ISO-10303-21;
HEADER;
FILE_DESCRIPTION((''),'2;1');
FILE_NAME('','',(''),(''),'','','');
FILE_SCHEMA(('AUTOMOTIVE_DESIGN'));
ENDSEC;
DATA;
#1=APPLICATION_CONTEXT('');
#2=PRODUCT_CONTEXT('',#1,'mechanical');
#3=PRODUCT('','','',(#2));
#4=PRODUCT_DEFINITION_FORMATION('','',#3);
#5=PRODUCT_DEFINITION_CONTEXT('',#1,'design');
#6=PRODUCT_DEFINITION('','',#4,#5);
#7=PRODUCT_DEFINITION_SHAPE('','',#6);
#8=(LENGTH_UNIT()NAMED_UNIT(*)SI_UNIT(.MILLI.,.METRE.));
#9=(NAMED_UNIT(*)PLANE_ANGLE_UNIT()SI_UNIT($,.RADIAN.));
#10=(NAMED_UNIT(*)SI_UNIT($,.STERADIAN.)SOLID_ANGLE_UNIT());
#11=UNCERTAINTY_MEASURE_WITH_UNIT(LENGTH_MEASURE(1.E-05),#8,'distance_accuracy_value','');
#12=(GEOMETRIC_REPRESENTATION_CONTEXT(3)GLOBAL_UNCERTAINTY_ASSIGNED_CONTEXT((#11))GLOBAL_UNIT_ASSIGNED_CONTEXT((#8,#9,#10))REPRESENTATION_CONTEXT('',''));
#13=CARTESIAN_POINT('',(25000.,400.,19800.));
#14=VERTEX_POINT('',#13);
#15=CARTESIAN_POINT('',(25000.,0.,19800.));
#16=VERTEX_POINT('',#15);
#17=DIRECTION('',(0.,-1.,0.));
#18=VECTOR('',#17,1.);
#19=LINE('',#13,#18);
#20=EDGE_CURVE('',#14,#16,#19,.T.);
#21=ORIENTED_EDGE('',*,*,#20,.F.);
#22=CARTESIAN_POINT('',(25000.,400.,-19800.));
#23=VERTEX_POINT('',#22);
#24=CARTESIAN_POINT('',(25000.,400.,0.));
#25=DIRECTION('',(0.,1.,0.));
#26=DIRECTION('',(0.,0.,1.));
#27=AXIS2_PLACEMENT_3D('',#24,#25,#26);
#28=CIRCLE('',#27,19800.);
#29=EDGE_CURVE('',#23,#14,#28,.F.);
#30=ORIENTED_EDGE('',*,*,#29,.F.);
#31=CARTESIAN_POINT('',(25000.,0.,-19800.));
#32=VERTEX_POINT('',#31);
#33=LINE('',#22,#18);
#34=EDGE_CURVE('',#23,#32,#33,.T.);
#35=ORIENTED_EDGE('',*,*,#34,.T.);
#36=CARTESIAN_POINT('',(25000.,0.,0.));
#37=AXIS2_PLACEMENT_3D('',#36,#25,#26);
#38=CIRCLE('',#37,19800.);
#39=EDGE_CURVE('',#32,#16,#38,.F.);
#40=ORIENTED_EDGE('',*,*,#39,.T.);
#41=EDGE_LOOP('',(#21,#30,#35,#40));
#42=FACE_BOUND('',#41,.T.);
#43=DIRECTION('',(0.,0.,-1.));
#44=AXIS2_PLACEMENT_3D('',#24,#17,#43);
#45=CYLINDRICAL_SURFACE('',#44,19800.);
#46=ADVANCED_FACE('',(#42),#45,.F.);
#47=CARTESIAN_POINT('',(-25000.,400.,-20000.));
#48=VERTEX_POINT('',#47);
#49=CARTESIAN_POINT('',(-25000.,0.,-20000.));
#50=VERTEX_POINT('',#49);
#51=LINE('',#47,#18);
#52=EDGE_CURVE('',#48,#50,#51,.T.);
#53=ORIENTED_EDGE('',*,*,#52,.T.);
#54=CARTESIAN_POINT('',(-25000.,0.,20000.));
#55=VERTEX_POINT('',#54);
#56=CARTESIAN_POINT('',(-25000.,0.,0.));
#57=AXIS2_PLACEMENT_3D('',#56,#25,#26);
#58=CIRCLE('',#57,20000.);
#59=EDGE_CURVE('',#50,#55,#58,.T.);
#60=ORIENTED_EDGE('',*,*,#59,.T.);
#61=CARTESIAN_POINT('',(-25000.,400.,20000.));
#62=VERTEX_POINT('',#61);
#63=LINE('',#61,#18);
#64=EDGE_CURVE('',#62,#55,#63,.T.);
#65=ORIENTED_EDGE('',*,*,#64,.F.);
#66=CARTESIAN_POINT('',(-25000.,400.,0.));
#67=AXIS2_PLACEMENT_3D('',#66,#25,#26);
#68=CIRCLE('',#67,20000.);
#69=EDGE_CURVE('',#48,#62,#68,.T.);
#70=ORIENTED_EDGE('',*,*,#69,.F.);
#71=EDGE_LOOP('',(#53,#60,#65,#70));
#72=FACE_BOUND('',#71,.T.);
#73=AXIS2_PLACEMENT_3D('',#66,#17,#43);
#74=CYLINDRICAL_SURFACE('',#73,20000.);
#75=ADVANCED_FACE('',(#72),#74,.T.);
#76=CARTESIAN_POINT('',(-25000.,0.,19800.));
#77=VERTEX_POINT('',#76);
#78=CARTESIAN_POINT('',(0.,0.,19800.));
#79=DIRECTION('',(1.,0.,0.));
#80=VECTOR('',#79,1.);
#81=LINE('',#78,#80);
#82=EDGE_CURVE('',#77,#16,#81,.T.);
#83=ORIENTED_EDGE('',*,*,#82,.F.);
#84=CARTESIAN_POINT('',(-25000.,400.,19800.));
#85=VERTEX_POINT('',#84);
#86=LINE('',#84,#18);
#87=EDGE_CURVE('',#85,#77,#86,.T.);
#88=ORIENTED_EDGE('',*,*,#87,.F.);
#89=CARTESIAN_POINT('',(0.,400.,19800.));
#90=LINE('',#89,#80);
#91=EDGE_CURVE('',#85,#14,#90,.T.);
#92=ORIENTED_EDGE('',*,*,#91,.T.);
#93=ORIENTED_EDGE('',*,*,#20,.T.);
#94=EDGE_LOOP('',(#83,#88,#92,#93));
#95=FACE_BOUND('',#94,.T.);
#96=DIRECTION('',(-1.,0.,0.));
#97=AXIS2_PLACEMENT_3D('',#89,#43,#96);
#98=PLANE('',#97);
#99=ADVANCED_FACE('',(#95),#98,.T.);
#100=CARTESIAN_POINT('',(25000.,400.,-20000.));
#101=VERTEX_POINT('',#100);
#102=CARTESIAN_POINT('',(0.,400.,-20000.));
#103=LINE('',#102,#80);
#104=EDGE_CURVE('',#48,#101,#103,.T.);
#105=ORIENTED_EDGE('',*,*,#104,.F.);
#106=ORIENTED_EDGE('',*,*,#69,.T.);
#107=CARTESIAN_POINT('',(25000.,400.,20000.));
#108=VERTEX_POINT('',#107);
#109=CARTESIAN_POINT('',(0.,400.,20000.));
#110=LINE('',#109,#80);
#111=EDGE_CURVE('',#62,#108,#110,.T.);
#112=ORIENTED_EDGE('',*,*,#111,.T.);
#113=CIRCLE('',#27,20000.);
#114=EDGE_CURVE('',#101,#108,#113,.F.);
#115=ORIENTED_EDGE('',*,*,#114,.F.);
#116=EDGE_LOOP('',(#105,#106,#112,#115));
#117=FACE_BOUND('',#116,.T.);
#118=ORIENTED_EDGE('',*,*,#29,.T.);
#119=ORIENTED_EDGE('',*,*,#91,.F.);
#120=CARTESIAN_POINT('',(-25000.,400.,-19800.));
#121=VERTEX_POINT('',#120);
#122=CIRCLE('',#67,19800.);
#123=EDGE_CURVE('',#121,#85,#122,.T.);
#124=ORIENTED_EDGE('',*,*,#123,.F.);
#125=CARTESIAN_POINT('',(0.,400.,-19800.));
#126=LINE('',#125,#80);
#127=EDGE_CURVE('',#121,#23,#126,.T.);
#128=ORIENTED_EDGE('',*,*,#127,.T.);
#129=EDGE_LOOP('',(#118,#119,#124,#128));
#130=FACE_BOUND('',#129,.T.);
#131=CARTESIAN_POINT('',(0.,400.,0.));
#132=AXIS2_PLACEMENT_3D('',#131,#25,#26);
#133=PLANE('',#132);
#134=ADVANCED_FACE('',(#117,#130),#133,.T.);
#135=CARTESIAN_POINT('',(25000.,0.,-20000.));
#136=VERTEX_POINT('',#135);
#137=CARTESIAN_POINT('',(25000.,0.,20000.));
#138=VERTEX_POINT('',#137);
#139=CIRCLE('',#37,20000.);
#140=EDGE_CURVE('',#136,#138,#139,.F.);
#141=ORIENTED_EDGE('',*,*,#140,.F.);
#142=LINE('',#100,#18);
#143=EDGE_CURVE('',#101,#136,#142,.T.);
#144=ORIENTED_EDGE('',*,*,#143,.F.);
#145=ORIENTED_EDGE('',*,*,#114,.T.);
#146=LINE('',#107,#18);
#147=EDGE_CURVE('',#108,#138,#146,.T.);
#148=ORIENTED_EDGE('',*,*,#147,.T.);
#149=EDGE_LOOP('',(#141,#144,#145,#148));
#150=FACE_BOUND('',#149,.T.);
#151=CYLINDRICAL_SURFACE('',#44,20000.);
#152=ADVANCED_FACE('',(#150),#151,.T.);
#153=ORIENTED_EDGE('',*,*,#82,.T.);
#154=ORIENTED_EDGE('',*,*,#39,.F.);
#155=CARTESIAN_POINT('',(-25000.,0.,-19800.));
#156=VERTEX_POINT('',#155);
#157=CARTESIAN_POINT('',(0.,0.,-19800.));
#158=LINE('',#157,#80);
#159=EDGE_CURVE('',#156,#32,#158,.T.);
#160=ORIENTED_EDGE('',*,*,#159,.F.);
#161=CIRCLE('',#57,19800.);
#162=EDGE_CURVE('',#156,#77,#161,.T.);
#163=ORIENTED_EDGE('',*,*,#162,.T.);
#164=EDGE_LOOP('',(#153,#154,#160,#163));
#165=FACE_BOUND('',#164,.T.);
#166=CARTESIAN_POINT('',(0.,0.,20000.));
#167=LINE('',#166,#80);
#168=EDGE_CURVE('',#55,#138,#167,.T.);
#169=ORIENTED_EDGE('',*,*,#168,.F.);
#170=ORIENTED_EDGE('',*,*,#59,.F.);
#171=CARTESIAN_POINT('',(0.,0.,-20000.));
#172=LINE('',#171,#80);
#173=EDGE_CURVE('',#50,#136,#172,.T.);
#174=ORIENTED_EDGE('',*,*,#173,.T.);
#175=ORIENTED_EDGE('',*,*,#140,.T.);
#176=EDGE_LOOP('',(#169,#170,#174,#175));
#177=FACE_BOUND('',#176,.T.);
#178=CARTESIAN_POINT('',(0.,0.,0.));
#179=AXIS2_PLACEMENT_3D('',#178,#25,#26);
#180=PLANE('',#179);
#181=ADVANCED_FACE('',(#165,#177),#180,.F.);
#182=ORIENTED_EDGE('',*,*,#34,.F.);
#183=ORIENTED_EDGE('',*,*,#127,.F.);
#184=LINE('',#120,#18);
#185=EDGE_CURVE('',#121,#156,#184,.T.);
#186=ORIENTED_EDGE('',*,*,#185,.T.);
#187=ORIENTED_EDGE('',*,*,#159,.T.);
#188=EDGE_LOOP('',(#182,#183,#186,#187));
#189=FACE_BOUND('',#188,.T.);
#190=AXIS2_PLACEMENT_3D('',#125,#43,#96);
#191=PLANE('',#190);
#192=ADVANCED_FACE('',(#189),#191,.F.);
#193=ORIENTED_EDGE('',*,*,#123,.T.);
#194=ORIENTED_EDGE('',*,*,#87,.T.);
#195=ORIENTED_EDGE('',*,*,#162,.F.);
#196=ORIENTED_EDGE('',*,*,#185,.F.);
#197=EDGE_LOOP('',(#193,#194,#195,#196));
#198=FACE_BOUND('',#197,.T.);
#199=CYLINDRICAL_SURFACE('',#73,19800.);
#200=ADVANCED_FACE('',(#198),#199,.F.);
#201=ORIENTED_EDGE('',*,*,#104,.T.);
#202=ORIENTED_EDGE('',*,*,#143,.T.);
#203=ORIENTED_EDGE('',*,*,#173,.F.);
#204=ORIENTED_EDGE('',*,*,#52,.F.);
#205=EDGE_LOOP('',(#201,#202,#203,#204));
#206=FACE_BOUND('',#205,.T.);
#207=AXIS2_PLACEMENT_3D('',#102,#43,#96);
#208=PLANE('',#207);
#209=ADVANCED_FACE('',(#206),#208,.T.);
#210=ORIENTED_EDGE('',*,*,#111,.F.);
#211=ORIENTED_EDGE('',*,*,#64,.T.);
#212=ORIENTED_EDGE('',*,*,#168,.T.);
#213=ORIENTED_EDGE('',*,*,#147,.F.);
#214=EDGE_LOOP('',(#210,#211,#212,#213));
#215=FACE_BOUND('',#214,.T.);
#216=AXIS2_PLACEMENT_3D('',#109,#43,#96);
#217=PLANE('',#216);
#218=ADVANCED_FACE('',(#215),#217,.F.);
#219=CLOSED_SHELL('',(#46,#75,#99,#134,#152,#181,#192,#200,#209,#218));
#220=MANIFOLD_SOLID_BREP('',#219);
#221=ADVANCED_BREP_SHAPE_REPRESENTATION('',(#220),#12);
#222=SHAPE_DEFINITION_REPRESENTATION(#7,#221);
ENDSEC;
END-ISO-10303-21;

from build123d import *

# Parameters (mm, degrees)
BOSS_EXTRUDE1_DEPTH = 400


with BuildPart() as part:
    # Sketch1 → Boss-Extrude1 (new body)
    with BuildSketch(Plane(origin=(0, 0, 0), x_dir=(1, 0, 0), z_dir=(0, 1, 0))):
        with BuildLine():
            ThreePointArc((25000, 20000), (45000, 0), (25000, -20000))
            Line((25000, -20000), (-25000, -20000))
            ThreePointArc((-25000, -20000), (-45000, 0), (-25000, 20000))
            Line((-25000, 20000), (25000, 20000))
        make_face()
        with BuildLine():
            ThreePointArc((-25000, 19800), (-44800, 0), (-25000, -19800))
            Line((-25000, -19800), (25000, -19800))
            ThreePointArc((25000, -19800), (44800, 0), (25000, 19800))
            Line((25000, 19800), (-25000, 19800))
        make_face(mode=Mode.SUBTRACT)
    extrude(amount=BOSS_EXTRUDE1_DEPTH)


solid = part.part
